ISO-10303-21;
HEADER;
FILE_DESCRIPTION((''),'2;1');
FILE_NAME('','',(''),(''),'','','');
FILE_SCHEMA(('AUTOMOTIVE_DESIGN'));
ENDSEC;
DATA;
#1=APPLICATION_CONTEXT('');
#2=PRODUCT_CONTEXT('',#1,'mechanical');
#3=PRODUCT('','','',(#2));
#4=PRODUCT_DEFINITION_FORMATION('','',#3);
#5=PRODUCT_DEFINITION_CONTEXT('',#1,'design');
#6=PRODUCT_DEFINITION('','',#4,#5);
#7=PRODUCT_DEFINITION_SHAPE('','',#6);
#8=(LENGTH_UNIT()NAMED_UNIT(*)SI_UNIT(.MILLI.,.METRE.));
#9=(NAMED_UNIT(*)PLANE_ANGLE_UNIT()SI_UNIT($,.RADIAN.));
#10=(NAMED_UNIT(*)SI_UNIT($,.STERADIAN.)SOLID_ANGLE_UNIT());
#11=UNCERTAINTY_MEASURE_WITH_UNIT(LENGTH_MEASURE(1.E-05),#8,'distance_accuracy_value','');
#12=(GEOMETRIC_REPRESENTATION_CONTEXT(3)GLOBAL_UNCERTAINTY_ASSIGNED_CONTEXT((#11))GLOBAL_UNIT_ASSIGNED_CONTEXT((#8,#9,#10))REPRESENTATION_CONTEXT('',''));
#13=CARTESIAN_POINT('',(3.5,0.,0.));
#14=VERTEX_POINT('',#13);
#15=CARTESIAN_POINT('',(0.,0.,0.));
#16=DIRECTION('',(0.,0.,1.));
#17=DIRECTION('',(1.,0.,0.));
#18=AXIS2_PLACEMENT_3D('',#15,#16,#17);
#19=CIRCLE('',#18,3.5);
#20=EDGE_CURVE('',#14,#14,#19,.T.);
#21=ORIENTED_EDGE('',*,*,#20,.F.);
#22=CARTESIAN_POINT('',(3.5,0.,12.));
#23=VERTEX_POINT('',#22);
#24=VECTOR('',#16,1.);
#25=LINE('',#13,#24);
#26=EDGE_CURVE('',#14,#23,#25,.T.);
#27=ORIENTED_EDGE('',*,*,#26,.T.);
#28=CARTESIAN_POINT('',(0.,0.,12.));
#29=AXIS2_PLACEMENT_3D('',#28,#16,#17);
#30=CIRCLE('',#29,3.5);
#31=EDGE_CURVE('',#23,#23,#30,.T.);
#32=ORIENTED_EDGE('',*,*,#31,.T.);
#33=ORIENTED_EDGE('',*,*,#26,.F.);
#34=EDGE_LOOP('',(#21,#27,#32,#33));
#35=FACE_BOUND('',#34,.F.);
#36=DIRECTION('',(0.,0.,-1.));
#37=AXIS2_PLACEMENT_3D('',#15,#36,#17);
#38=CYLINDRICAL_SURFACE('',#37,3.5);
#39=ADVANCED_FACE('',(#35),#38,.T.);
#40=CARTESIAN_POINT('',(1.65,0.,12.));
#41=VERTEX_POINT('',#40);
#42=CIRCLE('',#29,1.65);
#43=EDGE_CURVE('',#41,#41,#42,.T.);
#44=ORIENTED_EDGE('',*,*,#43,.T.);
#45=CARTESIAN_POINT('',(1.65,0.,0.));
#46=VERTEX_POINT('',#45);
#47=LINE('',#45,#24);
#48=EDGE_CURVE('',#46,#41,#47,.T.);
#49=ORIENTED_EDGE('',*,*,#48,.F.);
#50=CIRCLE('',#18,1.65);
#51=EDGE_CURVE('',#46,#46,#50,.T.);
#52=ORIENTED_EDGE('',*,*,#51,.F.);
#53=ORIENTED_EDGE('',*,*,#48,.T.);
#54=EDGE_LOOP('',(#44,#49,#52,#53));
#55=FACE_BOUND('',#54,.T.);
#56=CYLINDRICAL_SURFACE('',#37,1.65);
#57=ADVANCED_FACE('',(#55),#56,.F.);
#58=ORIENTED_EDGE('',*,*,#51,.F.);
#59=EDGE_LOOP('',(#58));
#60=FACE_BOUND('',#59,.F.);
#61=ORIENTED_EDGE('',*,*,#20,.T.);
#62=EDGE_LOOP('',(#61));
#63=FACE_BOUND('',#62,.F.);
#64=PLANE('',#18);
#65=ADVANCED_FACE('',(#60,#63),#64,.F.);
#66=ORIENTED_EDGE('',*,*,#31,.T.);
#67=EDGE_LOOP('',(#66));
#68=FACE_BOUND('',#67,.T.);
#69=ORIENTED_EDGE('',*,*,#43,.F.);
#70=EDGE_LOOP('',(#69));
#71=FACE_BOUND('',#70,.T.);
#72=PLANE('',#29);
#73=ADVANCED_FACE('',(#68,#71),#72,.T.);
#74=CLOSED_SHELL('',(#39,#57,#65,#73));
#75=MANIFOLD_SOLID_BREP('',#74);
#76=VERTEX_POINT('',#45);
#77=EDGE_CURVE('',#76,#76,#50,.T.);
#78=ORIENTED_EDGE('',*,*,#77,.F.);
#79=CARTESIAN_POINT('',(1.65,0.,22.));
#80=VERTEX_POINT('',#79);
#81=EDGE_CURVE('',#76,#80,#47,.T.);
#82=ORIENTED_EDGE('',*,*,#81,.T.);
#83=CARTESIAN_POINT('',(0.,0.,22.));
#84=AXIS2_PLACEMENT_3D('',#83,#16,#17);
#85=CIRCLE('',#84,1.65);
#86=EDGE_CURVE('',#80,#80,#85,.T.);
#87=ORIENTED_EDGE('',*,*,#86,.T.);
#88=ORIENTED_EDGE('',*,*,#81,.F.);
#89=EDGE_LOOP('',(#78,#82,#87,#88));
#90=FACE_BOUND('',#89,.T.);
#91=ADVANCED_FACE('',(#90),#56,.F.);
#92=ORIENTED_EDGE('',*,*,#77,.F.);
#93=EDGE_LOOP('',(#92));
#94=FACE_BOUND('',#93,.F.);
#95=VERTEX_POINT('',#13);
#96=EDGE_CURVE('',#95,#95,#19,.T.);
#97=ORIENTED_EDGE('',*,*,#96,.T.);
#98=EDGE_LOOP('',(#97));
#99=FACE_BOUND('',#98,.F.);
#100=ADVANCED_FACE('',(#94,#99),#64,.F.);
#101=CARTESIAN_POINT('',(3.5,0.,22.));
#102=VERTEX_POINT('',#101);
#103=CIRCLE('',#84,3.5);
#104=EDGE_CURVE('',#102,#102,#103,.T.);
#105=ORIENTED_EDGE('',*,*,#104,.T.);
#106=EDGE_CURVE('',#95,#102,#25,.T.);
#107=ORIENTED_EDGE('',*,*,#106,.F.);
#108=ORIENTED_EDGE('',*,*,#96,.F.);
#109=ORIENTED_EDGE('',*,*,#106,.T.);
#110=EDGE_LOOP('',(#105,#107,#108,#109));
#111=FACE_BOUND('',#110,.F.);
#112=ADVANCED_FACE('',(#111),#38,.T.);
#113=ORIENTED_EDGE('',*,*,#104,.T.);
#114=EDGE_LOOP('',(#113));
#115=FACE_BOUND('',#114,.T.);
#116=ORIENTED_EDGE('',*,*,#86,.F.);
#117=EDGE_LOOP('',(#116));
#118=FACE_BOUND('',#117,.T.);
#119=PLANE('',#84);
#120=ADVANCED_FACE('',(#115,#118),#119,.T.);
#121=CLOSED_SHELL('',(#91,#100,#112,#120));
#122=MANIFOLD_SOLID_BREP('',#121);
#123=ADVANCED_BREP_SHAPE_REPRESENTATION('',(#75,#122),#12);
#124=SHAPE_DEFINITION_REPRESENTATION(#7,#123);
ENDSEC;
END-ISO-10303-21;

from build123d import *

# Parameters (mm, degrees)
F0_R     = 3.5
F0_R_2   = 1.65
F1_DEPTH = 22
F2_DEPTH = 12


with BuildPart() as f1:
    # F0 (on Top) → F1 (new body)
    with BuildSketch(Plane.XY):
        Circle(F0_R)
        Circle(F0_R_2, mode=Mode.SUBTRACT)
    extrude(amount=F1_DEPTH)


with BuildPart() as f2:
    # F0 (on Top) → F2 (new body)
    with BuildSketch(Plane.XY):
        Circle(F0_R)
        Circle(F0_R_2, mode=Mode.SUBTRACT)
    extrude(amount=F2_DEPTH)


solid = Compound([f1.part, f2.part])
